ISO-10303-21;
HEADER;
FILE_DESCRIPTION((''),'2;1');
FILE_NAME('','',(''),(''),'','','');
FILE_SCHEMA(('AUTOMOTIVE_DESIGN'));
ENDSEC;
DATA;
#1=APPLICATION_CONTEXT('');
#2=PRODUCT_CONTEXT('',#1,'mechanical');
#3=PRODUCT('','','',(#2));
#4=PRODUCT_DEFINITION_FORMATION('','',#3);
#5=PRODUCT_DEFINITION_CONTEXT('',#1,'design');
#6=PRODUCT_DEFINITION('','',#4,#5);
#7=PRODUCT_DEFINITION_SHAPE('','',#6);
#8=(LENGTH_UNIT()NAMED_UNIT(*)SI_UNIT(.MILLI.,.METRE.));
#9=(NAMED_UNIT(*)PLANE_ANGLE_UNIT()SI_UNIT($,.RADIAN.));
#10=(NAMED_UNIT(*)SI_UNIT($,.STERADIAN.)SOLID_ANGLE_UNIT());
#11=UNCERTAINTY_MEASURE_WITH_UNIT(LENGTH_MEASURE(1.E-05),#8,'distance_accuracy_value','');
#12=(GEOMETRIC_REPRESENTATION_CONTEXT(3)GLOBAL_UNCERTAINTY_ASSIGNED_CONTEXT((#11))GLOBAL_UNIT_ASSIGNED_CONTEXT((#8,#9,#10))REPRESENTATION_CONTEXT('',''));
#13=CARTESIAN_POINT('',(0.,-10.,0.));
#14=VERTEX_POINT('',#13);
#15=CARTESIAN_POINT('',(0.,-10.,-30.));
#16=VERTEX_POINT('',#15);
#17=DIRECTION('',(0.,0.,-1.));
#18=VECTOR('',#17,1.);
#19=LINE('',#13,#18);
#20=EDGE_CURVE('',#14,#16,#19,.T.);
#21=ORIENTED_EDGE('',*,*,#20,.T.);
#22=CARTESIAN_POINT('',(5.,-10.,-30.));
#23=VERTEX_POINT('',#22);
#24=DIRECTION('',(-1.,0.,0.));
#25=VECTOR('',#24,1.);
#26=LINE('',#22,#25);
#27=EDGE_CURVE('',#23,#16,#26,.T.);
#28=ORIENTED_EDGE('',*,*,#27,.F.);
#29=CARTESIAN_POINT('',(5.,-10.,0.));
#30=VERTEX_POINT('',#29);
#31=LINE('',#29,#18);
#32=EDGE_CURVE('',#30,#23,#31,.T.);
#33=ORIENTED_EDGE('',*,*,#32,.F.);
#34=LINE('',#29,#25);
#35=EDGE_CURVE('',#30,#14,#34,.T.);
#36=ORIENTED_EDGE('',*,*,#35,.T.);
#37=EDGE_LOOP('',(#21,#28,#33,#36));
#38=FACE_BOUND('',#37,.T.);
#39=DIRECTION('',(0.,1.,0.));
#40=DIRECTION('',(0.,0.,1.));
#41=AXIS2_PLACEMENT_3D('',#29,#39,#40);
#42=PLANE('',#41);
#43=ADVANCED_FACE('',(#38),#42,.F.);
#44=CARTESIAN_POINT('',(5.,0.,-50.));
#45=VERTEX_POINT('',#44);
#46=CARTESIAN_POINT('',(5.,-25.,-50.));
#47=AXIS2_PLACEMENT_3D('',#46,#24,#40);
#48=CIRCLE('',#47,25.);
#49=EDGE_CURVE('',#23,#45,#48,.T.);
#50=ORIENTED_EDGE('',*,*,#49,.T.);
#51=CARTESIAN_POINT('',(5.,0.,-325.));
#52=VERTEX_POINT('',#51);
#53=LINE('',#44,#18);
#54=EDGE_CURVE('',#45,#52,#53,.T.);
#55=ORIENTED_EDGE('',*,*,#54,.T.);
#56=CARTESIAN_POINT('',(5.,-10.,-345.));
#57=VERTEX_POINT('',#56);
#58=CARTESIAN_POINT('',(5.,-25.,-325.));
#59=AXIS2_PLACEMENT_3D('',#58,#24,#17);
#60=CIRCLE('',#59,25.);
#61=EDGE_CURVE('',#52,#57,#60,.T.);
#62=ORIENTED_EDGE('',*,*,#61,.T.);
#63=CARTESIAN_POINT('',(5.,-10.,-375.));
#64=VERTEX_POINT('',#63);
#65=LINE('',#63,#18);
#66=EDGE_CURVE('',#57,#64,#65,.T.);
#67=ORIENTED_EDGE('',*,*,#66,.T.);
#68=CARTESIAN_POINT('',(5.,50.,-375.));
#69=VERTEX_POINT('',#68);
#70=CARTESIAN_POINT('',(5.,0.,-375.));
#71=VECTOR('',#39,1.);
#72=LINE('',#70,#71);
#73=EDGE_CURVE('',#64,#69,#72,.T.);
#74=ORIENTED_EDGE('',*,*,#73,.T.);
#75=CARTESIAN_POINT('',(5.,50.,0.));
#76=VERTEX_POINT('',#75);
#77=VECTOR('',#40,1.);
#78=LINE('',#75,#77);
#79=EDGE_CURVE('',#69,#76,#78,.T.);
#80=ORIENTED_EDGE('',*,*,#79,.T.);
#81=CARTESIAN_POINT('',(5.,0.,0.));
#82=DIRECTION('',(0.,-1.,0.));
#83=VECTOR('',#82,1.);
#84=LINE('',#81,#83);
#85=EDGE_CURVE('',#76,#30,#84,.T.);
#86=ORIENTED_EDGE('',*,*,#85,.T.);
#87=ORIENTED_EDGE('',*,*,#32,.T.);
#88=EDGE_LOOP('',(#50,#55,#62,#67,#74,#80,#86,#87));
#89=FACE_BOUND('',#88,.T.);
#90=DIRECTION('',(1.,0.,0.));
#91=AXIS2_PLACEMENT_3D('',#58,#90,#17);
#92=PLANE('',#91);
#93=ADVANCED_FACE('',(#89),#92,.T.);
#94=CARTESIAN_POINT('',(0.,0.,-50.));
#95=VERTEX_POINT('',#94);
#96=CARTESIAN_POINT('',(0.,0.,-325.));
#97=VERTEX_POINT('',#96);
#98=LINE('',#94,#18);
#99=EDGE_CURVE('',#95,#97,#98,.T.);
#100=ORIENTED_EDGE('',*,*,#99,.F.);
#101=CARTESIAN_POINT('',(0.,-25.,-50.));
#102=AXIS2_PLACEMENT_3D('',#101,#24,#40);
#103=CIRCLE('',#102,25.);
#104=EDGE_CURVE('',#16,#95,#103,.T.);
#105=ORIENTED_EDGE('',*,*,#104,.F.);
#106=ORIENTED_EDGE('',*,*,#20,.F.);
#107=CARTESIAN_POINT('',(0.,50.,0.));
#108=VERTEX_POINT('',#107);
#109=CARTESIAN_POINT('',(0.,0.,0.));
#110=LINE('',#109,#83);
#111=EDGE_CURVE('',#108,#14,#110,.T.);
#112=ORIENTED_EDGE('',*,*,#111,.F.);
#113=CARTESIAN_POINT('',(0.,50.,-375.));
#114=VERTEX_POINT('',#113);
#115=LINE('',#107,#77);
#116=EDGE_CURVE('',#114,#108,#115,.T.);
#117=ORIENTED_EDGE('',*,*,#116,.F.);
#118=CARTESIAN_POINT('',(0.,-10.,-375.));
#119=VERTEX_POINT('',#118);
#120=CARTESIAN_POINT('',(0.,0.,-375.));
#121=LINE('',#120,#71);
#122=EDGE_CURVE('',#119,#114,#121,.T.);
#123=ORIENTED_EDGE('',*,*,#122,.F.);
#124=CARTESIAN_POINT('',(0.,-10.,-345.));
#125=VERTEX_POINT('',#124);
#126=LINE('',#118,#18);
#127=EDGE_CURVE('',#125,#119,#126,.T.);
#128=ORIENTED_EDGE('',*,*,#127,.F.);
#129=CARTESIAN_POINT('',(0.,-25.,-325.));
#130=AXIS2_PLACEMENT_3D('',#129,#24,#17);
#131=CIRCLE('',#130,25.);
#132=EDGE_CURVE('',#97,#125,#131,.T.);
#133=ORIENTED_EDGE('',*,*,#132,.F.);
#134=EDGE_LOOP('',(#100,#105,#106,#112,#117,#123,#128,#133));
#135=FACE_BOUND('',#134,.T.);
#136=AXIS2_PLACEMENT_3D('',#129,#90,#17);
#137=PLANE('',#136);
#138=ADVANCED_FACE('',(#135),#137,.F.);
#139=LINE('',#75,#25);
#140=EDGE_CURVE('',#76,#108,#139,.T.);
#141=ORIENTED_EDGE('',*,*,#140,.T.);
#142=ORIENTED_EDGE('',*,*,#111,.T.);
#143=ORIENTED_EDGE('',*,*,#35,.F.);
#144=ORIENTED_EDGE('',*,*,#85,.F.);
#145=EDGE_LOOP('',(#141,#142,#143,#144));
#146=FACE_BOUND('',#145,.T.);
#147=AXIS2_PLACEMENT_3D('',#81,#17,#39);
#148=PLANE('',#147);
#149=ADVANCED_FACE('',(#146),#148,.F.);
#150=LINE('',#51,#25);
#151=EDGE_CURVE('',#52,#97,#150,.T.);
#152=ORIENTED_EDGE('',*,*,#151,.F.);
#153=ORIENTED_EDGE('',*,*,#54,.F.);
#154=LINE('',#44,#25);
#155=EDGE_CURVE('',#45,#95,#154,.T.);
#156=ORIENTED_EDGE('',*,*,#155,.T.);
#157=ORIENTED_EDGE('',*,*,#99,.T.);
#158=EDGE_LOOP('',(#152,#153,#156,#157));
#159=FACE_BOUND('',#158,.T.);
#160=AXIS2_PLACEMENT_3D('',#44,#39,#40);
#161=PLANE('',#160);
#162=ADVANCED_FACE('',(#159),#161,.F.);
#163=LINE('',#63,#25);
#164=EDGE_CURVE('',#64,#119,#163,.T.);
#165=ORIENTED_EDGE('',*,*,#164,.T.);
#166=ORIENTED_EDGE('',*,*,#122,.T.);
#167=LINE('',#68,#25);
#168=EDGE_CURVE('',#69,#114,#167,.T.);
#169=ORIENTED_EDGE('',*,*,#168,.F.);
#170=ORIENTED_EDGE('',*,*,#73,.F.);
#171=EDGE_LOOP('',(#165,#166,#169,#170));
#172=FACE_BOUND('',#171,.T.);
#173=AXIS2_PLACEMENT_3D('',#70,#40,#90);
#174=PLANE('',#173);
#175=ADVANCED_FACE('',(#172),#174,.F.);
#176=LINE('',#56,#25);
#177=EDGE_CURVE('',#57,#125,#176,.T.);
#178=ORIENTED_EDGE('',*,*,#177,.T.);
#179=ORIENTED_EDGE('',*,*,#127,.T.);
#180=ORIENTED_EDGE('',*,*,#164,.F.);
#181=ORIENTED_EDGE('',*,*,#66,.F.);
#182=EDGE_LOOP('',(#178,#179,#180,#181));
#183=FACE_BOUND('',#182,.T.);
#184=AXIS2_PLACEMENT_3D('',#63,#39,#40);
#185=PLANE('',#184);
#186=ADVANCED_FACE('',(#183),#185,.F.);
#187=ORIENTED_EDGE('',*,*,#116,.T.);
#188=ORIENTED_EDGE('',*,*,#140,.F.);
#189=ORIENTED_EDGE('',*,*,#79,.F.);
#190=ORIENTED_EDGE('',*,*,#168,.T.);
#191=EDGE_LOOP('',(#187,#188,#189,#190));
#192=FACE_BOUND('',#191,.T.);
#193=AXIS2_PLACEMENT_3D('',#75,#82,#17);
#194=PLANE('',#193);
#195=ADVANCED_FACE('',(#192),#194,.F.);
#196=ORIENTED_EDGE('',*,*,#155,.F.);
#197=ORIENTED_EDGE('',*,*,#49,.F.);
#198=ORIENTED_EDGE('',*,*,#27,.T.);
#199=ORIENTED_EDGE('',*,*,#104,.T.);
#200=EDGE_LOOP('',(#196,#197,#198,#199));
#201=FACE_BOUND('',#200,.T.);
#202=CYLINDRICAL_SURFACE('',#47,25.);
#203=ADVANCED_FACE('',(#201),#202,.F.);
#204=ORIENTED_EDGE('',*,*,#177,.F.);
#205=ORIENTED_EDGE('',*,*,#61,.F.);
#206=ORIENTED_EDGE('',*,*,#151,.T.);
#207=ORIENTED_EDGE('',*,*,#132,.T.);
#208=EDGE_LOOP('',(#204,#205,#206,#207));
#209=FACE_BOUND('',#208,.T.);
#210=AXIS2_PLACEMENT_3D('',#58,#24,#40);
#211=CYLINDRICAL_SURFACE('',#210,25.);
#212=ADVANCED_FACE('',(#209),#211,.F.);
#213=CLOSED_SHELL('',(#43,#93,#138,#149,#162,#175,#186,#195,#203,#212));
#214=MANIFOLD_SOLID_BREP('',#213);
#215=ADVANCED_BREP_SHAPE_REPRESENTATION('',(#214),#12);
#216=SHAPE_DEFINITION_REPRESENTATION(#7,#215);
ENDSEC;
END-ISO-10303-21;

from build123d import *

# Parameters (mm, degrees)
BOSS_EXTRUDE1_DEPTH = 5


with BuildPart() as part:
    # Sketch1 → Boss-Extrude1 (new body)
    with BuildSketch(Plane(origin=(0, 0, 0), x_dir=(0, 0, -1), z_dir=(1, 0, 0))):
        with BuildLine():
            Line((0, 0), (0, -10))
            Line((0, -10), (30, -10))
            ThreePointArc((30, -10), (38.819660113, -2.639320225), (50, 0))
            Line((50, 0), (325, 0))
            ThreePointArc((325, 0), (336.180339887, -2.639320225), (345, -10))
            Line((345, -10), (375, -10))
            Line((375, -10), (375, 0))
            Line((375, 0), (375, 50))
            Line((375, 50), (0, 50))
            Line((0, 50), (0, 0))
        make_face()
    extrude(amount=BOSS_EXTRUDE1_DEPTH)


solid = part.part
